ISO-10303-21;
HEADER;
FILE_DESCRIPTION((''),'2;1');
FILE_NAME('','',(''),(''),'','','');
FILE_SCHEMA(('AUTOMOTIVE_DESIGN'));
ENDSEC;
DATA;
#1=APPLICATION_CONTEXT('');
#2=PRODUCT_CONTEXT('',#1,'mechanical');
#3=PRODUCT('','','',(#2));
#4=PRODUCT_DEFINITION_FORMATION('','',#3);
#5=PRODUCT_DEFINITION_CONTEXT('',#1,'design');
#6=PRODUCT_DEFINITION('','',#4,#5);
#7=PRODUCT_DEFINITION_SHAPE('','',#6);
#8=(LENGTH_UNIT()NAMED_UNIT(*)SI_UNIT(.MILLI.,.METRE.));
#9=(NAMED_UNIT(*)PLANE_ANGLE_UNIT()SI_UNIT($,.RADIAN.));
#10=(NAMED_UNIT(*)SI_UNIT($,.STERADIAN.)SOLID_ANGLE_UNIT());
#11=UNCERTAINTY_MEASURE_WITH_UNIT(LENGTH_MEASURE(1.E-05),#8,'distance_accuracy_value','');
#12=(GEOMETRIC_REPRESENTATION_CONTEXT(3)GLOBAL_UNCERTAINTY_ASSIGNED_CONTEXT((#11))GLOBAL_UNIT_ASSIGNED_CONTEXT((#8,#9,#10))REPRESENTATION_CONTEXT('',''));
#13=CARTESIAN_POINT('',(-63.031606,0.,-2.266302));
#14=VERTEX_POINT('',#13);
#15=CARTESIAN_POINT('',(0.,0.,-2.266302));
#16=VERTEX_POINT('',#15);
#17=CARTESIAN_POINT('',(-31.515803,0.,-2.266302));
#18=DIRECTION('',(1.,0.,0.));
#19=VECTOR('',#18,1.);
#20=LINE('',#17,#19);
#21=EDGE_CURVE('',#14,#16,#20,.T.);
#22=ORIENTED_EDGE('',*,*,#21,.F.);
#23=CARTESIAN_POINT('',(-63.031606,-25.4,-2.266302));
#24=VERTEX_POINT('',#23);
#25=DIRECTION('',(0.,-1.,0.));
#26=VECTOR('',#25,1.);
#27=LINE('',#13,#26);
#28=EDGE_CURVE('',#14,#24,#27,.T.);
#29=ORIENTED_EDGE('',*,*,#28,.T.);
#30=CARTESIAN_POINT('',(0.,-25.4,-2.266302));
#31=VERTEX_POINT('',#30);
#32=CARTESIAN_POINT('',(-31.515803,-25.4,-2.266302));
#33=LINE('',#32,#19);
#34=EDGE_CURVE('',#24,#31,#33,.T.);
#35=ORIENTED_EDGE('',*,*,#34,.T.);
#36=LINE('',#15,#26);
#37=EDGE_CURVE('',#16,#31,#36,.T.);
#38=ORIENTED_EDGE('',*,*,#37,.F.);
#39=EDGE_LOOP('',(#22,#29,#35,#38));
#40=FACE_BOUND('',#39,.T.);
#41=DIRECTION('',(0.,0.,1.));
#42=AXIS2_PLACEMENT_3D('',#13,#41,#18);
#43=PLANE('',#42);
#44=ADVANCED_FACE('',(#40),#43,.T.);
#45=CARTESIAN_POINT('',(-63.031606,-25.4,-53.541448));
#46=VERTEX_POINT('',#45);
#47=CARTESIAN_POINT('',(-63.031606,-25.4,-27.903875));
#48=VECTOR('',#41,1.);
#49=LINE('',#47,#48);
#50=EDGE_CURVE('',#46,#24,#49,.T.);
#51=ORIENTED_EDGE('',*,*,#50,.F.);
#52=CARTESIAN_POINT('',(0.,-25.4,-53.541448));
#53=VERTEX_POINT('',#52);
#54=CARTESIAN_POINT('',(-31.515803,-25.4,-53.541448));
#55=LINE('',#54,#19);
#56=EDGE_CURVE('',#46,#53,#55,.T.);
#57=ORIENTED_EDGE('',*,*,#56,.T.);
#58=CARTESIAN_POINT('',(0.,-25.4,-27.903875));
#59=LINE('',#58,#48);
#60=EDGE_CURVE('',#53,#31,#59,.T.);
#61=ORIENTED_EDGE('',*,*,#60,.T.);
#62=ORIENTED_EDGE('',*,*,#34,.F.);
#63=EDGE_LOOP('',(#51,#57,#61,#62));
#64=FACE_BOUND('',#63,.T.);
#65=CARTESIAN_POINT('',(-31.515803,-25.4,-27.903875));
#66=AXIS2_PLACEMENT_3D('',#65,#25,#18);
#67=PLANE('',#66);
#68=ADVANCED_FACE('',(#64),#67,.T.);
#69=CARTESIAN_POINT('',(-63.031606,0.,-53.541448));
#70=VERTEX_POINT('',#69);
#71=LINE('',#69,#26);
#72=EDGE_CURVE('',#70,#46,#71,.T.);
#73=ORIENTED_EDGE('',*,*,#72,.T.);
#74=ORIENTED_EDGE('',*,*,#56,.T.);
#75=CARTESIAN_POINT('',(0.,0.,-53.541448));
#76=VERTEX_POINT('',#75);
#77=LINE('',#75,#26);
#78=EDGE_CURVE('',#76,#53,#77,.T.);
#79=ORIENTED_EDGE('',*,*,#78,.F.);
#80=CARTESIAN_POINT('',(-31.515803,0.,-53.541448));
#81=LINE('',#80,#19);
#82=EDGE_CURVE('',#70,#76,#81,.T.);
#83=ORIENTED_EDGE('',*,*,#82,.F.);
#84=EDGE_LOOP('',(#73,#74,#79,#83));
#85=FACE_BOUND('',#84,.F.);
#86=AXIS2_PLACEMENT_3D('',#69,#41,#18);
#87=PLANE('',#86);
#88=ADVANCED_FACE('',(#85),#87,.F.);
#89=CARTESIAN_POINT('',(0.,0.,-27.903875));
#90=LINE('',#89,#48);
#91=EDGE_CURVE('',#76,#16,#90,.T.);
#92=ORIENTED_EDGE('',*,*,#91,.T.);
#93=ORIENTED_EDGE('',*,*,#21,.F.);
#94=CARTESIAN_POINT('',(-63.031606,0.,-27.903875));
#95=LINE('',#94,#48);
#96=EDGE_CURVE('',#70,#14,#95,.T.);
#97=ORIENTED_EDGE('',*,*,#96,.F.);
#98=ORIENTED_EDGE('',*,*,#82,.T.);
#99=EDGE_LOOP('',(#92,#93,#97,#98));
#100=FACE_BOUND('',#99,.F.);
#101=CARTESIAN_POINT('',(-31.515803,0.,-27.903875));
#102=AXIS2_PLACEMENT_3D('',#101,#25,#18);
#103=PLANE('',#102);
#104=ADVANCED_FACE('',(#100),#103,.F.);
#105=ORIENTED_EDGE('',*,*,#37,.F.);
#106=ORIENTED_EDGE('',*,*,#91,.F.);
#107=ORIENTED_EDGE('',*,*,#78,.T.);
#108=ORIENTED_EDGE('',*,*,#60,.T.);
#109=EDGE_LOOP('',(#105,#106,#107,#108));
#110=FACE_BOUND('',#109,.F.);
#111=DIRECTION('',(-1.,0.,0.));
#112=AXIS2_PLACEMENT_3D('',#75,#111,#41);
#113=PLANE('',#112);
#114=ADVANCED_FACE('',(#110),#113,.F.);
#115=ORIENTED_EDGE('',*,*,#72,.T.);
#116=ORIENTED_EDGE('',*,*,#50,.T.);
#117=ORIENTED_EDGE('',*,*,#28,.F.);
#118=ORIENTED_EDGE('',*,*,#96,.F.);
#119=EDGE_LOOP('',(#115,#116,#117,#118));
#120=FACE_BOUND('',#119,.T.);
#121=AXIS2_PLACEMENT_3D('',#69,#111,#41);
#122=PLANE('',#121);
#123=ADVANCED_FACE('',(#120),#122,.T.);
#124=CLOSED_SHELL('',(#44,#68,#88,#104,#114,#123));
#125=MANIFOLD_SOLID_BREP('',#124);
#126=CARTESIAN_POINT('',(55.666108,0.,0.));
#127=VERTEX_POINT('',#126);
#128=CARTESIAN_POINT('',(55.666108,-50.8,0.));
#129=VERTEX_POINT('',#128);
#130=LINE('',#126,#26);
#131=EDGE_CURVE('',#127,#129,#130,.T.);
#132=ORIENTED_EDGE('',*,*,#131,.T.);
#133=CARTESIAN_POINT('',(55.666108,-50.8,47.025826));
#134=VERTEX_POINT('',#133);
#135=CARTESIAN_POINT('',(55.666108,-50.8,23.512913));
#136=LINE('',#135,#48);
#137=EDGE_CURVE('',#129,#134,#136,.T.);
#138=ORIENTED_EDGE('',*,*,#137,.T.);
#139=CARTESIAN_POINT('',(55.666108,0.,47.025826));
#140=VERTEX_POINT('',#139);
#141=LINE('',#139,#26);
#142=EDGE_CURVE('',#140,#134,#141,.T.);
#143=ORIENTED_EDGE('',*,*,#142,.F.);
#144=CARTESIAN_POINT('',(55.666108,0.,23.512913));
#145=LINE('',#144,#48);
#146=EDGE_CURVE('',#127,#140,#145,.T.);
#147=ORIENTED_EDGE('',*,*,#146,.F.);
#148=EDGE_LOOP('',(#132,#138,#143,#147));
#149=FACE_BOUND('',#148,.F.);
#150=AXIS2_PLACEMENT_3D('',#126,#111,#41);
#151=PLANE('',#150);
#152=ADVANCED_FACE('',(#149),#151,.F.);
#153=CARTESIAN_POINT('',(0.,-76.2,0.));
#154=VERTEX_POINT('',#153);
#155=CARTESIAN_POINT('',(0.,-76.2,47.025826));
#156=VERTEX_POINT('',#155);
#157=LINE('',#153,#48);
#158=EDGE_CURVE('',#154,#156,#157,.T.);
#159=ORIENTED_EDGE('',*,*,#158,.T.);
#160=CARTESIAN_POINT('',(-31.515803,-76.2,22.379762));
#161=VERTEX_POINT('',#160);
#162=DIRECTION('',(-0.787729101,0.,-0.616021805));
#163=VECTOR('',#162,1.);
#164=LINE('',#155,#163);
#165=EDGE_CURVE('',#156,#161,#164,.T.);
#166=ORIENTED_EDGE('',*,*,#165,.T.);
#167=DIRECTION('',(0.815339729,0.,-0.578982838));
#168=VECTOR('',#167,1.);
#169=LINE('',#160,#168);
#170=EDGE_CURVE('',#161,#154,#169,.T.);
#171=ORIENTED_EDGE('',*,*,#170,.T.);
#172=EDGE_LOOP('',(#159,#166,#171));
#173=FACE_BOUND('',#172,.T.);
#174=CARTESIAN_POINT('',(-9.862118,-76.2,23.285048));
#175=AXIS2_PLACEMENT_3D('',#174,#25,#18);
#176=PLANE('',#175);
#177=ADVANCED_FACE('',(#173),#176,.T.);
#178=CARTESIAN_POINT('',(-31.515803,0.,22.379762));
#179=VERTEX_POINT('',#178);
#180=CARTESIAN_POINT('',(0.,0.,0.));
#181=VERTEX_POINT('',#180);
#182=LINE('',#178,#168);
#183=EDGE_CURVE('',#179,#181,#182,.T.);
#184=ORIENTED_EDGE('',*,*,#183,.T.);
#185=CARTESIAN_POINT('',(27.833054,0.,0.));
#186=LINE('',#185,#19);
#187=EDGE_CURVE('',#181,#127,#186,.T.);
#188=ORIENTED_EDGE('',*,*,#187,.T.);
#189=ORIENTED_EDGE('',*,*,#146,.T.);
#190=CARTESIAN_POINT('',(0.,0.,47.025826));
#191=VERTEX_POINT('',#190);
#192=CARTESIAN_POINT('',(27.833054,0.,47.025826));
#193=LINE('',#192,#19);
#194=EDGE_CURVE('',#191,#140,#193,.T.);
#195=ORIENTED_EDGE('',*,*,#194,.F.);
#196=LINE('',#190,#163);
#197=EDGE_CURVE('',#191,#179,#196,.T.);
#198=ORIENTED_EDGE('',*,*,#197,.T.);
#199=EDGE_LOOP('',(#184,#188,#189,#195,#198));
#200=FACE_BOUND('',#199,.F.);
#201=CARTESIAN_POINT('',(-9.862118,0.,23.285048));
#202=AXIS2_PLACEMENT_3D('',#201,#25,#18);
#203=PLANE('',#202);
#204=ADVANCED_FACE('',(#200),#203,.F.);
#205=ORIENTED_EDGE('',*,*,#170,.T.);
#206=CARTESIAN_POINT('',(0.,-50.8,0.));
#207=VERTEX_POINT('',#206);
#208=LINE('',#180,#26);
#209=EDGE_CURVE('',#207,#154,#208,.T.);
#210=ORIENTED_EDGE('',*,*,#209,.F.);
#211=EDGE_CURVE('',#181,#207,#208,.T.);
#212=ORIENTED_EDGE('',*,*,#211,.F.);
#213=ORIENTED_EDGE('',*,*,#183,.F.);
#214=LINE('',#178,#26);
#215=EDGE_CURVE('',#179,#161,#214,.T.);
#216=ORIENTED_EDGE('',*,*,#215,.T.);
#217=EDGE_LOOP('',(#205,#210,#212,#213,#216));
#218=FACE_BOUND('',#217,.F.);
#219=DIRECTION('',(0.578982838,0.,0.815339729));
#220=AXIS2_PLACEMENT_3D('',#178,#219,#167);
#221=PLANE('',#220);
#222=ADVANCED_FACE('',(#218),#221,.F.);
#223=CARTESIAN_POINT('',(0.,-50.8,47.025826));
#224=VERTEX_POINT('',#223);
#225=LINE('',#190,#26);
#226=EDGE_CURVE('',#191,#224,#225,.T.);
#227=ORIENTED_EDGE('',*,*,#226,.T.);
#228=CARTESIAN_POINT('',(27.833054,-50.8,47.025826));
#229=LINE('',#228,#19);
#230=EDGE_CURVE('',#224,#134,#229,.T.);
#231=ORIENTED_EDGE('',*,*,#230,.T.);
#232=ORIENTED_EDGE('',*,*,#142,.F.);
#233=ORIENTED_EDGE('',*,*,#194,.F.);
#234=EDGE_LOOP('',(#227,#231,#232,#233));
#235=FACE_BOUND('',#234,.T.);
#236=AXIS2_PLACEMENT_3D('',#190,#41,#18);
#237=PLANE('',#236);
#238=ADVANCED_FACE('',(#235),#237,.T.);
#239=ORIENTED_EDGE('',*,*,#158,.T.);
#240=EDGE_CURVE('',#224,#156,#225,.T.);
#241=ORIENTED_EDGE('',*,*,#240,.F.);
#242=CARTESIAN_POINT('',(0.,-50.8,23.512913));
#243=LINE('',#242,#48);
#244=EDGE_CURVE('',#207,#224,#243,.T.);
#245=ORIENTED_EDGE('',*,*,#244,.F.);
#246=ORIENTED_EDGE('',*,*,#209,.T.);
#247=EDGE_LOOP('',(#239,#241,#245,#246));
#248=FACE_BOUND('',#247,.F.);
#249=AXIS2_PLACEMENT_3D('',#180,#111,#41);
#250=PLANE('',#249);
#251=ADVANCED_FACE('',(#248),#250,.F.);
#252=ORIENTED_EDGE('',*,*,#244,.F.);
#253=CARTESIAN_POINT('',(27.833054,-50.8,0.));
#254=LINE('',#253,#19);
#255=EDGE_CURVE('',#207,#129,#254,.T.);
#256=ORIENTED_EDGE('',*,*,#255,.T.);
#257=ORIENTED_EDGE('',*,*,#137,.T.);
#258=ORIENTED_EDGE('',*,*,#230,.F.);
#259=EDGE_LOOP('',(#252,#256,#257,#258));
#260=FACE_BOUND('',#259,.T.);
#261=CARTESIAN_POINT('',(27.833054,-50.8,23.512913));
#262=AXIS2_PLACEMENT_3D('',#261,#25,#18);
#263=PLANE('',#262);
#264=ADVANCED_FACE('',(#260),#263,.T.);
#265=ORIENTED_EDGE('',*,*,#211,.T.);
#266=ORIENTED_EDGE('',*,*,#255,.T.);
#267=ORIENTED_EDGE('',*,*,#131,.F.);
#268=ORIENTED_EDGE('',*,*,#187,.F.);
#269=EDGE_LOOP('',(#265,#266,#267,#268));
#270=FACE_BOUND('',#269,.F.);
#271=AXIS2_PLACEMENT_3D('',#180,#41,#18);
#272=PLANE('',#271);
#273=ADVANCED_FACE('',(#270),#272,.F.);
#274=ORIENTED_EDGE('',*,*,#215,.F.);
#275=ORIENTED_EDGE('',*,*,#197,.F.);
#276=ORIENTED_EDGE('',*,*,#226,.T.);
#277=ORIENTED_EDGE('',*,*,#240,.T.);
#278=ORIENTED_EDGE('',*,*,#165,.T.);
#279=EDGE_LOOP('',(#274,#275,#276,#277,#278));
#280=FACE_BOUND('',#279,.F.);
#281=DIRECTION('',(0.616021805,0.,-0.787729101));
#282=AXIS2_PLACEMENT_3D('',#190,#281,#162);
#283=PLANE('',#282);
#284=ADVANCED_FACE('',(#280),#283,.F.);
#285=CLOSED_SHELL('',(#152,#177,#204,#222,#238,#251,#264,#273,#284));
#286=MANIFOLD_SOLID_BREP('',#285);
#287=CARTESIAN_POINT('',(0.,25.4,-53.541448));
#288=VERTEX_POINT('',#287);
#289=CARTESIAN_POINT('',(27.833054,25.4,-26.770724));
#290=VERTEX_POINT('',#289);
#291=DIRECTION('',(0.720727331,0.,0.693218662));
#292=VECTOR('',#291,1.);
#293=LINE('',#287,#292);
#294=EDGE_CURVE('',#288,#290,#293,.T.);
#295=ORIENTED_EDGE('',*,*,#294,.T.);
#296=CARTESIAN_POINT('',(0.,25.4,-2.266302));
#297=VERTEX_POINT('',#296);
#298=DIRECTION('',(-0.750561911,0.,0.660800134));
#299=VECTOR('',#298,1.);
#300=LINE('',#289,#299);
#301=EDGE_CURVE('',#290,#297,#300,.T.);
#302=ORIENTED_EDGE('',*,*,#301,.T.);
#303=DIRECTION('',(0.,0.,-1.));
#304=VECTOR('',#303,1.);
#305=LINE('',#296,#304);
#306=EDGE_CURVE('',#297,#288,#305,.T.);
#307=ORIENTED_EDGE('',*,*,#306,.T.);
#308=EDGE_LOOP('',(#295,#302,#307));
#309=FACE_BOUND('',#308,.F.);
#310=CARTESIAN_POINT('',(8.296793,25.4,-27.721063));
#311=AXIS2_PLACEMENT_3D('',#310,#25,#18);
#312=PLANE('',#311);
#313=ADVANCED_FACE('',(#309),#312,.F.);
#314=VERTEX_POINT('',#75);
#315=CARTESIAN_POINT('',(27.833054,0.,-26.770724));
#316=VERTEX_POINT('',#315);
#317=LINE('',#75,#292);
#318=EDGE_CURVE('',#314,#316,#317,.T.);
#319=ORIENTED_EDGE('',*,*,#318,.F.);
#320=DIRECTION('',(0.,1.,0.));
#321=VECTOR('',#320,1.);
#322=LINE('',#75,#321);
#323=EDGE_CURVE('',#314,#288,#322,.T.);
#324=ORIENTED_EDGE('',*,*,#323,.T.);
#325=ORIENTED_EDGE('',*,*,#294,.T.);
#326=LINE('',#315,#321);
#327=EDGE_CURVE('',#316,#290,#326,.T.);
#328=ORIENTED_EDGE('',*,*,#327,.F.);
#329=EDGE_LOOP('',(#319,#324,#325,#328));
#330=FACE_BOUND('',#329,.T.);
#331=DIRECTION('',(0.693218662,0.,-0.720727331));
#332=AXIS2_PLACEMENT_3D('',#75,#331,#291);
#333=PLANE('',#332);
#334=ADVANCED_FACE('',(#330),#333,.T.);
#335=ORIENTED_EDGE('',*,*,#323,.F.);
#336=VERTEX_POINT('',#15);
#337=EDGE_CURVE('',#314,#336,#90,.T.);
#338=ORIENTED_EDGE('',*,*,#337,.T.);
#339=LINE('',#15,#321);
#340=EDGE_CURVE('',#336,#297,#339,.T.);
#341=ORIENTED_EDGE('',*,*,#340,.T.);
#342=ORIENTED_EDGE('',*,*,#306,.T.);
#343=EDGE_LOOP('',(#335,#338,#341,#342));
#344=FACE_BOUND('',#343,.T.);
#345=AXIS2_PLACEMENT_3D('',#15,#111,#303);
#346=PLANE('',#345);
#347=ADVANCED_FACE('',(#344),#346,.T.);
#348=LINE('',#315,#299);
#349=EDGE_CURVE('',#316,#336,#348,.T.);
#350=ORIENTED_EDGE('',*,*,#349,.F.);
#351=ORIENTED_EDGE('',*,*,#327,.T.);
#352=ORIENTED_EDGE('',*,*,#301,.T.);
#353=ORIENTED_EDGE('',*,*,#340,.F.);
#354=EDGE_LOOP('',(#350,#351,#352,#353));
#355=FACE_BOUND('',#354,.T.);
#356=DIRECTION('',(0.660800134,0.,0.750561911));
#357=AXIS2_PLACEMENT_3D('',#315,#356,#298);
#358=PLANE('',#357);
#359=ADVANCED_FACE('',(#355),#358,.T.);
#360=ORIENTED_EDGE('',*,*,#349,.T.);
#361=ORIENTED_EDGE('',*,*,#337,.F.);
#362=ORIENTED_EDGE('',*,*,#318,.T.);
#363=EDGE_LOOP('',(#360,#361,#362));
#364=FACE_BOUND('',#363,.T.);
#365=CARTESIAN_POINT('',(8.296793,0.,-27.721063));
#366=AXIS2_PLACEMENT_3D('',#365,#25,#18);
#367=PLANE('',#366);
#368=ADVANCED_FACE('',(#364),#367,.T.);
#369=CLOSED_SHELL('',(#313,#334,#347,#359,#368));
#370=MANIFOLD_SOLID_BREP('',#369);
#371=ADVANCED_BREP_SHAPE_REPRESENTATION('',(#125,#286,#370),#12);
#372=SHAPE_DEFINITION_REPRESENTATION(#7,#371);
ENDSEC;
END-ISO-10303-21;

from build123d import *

# Parameters (mm, degrees)
F0_W     = 63.031606
F0_H     = 51.275146
F1_DEPTH = 25.4
F0_W_2   = 55.666108
F0_H_2   = 47.025826
F2_DEPTH = 50.8
F3_DEPTH = 76.2
F4_DEPTH = 25.4


with BuildPart() as f1:
    # F0 (on Front) → F1 (new body)
    with BuildSketch(Plane.XZ):
        with Locations((-31.515803, -27.903875)):
            Rectangle(F0_W, F0_H)
    extrude(amount=F1_DEPTH)

    # F0 (on Front) → F4 (join)
    with BuildSketch(Plane.XZ):
        Polygon((0, -53.541448), (27.833054, -26.770724), (0, -2.266302), align=None)
    extrude(amount=-F4_DEPTH)


with BuildPart() as f2:
    # F0 (on Front) → F2 (new body)
    with BuildSketch(Plane.XZ):
        with Locations((27.833054, 23.512913)):
            Rectangle(F0_W_2, F0_H_2)
    extrude(amount=F2_DEPTH)

    # F0 (on Front) → F3 (join)
    with BuildSketch(Plane.XZ):
        Polygon((-31.515803, 22.379762), (0, 0), (0, 47.025826), align=None)
    extrude(amount=F3_DEPTH)


solid = Compound([f1.part, f2.part])
